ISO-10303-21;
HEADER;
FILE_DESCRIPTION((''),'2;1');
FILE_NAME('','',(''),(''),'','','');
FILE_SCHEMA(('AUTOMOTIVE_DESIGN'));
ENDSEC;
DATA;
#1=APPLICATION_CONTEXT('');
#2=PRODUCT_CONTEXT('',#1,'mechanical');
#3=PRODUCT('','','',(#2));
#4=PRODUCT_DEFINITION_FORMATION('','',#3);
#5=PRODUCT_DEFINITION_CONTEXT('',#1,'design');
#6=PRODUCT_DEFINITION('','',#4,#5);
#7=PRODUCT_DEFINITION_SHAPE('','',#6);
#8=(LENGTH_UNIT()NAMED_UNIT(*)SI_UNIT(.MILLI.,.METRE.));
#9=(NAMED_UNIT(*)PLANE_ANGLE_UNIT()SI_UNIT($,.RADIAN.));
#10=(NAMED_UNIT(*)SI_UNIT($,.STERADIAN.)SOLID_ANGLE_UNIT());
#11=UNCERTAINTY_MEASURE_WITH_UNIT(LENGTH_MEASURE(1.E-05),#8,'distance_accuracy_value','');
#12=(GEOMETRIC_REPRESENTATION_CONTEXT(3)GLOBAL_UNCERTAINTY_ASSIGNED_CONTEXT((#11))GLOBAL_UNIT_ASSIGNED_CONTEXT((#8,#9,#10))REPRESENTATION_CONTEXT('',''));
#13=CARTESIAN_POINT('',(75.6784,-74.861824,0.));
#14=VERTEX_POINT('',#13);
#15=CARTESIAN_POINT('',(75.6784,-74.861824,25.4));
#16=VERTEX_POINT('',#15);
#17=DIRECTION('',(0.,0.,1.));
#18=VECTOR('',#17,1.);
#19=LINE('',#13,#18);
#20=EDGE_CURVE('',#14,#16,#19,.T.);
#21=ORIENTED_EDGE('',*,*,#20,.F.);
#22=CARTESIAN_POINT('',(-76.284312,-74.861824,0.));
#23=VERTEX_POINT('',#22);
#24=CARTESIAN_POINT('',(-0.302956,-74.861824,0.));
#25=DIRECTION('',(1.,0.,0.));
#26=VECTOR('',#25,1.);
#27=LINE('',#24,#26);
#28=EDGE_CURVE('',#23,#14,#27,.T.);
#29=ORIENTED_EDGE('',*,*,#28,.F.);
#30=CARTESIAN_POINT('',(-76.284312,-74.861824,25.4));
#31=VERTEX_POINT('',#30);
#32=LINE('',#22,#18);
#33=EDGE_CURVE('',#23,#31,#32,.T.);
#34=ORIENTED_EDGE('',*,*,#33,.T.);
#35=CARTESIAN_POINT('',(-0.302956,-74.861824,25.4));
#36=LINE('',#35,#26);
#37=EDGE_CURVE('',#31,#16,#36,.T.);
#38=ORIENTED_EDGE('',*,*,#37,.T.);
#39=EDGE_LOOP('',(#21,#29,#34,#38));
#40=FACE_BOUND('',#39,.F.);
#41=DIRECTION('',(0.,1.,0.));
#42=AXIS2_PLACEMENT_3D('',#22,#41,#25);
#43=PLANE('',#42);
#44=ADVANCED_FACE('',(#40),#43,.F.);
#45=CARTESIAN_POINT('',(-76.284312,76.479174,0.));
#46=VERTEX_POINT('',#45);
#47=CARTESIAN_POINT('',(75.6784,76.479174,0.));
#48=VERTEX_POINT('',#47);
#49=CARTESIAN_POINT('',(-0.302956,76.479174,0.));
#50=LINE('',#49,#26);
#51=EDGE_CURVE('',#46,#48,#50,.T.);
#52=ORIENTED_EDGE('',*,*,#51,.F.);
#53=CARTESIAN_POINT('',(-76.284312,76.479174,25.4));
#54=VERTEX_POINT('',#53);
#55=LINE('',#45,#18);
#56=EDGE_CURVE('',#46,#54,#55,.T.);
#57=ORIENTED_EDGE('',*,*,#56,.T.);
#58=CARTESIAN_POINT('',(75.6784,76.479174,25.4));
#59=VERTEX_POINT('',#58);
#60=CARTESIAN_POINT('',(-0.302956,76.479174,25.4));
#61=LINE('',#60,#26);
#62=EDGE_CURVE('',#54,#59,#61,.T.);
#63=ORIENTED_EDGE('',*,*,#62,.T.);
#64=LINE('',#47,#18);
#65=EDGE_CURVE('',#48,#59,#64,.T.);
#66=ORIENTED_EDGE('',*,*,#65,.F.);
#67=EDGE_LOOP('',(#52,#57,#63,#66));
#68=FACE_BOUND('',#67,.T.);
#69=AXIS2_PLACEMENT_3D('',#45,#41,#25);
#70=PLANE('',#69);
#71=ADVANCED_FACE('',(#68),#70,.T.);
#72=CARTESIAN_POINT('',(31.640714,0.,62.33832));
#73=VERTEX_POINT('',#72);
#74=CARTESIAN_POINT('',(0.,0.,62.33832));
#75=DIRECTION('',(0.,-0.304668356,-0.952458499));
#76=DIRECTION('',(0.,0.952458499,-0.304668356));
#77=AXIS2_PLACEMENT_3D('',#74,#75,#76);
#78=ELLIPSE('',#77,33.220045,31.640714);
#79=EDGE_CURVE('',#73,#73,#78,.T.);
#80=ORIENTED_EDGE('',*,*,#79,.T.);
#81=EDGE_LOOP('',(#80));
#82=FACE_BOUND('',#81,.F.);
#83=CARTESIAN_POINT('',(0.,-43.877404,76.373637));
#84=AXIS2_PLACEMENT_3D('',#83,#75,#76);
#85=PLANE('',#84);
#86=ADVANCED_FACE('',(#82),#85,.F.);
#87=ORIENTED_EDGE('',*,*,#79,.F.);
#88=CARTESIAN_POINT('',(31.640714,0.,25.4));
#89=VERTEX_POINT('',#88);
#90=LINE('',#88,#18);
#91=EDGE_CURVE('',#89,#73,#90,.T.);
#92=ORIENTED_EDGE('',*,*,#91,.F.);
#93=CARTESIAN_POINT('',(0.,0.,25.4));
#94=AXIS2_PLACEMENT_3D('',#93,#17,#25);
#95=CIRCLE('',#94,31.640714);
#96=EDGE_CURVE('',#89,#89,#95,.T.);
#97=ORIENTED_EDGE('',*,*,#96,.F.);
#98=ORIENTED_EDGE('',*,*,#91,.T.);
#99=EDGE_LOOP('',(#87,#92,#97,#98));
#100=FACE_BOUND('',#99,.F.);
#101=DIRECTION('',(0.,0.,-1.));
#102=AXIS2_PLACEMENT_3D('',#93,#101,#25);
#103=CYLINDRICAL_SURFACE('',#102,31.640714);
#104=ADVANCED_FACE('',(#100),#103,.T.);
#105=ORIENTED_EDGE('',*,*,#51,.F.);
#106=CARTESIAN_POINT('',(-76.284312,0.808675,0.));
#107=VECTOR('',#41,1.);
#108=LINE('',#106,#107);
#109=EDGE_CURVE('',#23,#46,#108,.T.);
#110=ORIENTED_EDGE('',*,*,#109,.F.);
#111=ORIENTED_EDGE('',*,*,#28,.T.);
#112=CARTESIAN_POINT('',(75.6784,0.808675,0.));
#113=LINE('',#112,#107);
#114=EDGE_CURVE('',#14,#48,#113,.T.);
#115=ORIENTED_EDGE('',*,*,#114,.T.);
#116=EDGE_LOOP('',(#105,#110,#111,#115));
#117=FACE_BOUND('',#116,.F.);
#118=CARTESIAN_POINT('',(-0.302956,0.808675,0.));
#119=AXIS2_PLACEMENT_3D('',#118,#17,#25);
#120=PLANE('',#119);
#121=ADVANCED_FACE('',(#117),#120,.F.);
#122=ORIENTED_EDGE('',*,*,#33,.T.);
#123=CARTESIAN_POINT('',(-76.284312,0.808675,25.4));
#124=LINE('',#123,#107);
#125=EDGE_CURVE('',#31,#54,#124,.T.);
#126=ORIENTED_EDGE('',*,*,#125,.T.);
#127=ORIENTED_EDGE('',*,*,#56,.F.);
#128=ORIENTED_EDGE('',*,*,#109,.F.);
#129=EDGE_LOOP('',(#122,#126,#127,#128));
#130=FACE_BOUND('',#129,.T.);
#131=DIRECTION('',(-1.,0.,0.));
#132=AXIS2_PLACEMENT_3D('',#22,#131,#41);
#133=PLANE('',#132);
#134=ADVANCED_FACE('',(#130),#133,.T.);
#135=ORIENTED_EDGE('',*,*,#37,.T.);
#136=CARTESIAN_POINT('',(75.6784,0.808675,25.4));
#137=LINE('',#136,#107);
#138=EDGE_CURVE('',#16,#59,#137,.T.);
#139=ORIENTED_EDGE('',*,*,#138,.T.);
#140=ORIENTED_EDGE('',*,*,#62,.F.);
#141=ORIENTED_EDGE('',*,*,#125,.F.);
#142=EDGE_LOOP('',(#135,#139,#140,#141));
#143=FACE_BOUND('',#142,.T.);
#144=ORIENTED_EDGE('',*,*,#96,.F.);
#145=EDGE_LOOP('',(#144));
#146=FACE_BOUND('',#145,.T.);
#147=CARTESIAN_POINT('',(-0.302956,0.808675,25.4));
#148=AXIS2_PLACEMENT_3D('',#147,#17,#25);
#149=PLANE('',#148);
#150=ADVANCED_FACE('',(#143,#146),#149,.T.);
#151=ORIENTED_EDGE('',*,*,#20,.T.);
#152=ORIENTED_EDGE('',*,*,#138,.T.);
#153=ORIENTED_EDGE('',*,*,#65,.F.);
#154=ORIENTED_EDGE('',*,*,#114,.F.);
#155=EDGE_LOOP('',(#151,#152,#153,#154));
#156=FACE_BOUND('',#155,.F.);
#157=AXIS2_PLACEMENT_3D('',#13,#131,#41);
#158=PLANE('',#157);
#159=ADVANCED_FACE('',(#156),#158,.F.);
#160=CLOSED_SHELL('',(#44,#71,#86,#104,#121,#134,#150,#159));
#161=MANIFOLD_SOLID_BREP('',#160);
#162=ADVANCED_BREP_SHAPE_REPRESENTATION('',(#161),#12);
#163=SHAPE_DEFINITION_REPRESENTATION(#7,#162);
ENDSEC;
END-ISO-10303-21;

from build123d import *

# Parameters (mm, degrees)
F0_W     = 151.962713
F0_H     = 151.340999
F1_DEPTH = 25.4
F2_R     = 31.640714
F3_DEPTH = 50.8
F5_DEPTH = 74.422


with BuildPart() as f1:
    # F0 (on Top) → F1 (new body)
    with BuildSketch(Plane.XY):
        with Locations((-0.302956, 0.808675)):
            Rectangle(F0_W, F0_H)
    extrude(amount=F1_DEPTH)

    # F2 (on face) → F3 (join)
    with BuildSketch(Plane.XY.offset(25.4)):
        Circle(F2_R)
    extrude(amount=F3_DEPTH)

    # F4 (on Right) → F5 (cut, symmetric)
    with BuildSketch(Plane.YZ):
        Polygon((52.56303, 76.373637), (-43.877404, 76.373637), (52.56303, 45.524683), align=None)
    extrude(amount=F5_DEPTH, both=True, mode=Mode.SUBTRACT)


solid = f1.part
